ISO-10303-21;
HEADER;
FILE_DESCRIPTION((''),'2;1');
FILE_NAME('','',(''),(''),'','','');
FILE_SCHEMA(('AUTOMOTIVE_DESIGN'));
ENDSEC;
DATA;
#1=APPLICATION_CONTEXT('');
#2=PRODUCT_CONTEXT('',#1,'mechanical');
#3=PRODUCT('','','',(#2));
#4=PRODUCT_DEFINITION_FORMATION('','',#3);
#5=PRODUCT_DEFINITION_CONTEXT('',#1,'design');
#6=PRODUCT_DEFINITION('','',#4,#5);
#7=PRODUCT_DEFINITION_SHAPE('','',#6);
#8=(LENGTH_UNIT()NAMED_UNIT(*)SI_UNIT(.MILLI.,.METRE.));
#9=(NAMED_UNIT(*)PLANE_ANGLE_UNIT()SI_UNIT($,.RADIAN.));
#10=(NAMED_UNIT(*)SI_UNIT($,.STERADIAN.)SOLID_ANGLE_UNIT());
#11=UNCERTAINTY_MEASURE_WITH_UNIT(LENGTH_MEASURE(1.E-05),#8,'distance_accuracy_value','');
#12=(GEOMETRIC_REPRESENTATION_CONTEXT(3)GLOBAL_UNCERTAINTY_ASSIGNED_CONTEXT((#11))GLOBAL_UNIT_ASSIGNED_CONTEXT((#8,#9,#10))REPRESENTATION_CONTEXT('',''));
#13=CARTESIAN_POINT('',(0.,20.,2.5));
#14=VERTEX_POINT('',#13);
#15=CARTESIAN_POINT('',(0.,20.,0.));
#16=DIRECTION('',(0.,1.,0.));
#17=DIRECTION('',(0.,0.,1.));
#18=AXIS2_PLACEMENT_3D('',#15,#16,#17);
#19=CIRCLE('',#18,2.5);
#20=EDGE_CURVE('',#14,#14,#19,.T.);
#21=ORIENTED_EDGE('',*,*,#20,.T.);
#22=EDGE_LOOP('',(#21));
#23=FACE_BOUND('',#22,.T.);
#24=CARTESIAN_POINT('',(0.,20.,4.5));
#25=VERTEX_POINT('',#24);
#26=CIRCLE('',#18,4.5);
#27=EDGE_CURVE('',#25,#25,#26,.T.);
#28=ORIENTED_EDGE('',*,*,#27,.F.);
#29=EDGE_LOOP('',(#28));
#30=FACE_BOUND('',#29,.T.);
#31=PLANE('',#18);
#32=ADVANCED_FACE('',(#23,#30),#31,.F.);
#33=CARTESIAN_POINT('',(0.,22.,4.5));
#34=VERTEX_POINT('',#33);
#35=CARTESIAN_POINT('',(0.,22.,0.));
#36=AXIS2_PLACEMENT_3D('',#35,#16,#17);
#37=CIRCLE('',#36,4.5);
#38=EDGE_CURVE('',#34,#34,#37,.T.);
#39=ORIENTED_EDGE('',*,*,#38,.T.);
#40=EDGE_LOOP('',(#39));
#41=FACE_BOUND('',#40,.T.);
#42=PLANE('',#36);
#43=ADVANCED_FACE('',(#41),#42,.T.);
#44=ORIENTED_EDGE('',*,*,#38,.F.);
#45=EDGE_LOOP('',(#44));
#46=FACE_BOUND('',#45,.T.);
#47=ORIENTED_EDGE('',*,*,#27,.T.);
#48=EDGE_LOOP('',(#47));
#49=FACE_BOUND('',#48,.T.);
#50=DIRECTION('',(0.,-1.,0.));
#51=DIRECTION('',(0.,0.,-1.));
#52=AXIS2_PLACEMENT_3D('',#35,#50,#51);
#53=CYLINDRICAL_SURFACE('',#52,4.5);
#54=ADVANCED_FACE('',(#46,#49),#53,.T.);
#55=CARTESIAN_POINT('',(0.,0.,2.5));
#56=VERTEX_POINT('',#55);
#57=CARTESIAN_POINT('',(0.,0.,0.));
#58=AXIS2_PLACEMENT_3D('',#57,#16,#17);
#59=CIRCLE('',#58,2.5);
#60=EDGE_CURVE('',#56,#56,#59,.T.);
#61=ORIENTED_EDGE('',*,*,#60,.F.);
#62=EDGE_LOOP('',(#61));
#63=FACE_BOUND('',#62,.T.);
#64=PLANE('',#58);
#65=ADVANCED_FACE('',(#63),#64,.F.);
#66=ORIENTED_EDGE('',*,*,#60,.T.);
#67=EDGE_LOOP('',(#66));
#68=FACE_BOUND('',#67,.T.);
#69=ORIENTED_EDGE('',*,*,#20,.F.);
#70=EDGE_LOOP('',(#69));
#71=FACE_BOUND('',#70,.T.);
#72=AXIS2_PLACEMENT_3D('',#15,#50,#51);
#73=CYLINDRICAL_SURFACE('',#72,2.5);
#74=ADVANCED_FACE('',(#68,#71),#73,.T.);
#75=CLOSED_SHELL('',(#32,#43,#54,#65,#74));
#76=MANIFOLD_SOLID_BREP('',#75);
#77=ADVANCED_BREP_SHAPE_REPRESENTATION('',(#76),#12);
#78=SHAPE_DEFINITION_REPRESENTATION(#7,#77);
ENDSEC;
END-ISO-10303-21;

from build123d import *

# Parameters (mm, degrees)
SKETCH1_R           = 2.5
BOSS_EXTRUDE1_DEPTH = 20
SKETCH2_R           = 4.5
BOSS_EXTRUDE2_DEPTH = 2


with BuildPart() as part:
    # Sketch1 → Boss-Extrude1 (new body)
    with BuildSketch(Plane(origin=(0, 0, 0), x_dir=(1, 0, 0), z_dir=(0, 1, 0))):
        Circle(SKETCH1_R)
    extrude(amount=BOSS_EXTRUDE1_DEPTH)

    # Sketch2 → Boss-Extrude2 (add)
    with BuildSketch(Plane(origin=(0, 20, 0), x_dir=(1, 0, 0), z_dir=(0, 1, 0))):
        Circle(SKETCH2_R)
    extrude(amount=BOSS_EXTRUDE2_DEPTH)


solid = part.part
